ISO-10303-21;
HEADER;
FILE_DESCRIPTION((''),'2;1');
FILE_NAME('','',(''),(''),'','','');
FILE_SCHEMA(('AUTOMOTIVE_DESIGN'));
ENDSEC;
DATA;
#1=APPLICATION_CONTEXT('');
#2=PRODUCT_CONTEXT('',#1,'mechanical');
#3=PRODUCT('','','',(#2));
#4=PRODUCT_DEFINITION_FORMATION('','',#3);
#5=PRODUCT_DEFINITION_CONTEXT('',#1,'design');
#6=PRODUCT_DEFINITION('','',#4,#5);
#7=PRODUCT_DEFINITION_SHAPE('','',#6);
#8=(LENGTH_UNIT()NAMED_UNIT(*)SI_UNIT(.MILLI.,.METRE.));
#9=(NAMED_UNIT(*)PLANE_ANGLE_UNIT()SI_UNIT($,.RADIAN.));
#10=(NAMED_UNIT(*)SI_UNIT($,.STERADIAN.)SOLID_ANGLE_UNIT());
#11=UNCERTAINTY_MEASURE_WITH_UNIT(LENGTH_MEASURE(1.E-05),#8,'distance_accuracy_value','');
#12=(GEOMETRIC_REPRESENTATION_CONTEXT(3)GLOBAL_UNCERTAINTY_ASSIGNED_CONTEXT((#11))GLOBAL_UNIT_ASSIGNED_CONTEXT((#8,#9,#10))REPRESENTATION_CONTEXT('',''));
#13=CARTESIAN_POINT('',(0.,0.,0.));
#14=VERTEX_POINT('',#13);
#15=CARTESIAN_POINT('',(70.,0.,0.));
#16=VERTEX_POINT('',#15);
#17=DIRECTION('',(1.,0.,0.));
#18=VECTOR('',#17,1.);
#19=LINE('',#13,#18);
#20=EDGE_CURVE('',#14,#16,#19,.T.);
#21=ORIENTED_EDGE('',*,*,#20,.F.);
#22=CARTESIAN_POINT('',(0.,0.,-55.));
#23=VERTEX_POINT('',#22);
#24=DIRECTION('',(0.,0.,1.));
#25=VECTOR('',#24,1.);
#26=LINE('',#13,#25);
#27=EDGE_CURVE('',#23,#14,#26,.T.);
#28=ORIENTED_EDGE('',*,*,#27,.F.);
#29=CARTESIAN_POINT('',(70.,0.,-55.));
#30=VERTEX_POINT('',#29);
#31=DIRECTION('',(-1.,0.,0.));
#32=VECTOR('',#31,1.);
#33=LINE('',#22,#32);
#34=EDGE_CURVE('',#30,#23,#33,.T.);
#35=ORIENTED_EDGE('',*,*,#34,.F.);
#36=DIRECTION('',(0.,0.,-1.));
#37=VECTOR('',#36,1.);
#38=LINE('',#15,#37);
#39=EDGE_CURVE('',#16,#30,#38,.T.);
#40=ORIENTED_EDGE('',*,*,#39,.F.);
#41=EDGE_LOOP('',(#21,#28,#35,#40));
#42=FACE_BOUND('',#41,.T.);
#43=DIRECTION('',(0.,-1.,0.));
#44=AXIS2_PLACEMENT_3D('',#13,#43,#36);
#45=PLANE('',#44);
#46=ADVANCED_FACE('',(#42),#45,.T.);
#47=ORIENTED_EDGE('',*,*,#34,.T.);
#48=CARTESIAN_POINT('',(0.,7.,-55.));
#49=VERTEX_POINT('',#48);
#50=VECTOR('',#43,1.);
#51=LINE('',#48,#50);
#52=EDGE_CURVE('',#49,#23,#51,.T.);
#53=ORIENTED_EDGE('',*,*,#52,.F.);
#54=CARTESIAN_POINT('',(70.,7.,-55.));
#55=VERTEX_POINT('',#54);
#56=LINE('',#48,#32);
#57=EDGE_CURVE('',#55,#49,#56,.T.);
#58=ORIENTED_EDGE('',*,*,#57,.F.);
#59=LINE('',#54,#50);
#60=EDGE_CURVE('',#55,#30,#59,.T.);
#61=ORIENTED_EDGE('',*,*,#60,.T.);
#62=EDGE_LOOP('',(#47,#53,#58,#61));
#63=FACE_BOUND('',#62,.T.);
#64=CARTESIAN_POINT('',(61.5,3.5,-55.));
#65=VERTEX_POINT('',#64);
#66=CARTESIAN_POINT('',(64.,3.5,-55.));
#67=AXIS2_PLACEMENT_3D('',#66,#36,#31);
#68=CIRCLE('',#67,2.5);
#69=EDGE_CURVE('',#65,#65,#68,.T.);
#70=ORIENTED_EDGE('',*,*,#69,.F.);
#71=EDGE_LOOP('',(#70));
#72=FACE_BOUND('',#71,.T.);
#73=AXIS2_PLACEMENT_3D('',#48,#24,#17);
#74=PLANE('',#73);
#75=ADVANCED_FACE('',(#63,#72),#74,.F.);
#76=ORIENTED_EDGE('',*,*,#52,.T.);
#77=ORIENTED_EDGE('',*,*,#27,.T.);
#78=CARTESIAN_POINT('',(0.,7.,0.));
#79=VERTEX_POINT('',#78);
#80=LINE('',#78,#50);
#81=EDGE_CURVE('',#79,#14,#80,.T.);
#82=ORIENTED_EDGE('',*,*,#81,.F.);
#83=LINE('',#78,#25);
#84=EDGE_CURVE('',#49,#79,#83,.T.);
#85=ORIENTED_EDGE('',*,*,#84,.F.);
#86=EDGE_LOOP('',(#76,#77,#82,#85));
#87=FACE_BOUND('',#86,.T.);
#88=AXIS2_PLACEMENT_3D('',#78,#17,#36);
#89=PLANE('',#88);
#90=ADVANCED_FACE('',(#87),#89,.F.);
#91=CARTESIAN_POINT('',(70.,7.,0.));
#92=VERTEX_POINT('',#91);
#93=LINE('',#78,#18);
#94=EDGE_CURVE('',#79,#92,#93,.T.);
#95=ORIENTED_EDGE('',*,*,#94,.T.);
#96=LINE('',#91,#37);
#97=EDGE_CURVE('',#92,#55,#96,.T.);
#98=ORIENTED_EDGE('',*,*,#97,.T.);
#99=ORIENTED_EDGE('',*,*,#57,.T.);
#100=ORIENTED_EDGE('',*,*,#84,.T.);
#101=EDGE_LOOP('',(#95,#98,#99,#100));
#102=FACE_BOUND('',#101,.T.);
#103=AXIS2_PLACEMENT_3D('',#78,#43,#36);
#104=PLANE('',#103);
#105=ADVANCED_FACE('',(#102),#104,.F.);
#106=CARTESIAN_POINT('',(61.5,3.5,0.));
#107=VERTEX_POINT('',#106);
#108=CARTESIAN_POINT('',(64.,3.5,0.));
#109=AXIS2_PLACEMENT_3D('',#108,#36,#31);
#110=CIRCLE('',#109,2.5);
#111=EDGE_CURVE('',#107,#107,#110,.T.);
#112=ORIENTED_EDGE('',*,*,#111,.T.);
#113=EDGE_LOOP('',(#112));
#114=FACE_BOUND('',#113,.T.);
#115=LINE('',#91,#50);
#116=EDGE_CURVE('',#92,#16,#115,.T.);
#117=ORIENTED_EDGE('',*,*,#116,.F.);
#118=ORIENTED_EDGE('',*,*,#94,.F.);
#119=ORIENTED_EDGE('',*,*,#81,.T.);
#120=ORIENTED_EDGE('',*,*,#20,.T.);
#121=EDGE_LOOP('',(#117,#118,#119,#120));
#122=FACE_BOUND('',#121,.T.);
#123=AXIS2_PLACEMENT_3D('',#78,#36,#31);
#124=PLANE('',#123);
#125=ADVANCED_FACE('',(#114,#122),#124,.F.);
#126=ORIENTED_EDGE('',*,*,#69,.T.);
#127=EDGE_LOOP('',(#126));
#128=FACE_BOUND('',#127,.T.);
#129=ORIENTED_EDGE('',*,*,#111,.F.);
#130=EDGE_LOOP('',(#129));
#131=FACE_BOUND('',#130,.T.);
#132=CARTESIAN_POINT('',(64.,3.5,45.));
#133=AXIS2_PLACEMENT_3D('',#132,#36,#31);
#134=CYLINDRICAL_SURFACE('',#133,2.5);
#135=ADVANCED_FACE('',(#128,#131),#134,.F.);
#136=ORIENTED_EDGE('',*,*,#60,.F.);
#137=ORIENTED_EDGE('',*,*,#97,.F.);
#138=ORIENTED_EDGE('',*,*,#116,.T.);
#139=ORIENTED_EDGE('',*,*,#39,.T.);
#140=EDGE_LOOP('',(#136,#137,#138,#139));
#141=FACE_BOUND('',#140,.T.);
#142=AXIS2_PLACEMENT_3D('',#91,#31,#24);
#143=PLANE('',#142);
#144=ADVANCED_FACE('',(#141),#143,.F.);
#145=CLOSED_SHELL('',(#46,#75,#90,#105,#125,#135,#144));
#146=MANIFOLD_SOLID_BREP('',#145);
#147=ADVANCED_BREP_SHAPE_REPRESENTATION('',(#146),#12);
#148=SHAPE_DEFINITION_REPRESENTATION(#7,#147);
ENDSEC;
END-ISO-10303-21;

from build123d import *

# Parameters (mm, degrees)
SKETCH1_W           = 70
SKETCH1_H           = 55
BOSS_EXTRUDE1_DEPTH = 7
CUT_EXTRUDE1_DEPTH  = 100


with BuildPart() as part:
    # Sketch1 → Boss-Extrude1 (new body)
    with BuildSketch(Plane(origin=(0, 0, 0), x_dir=(1, 0, 0), z_dir=(0, 1, 0))):
        with Locations((35, 27.5)):
            Rectangle(SKETCH1_W, SKETCH1_H)
    extrude(amount=BOSS_EXTRUDE1_DEPTH)

    # Sketch2 → Cut-Extrude1 (cut)
    with BuildSketch(Plane(origin=(0, 0, -55), x_dir=(-1, 0, 0), z_dir=(0, 0, -1))):
        with BuildLine():
            ThreePointArc((-61.5, 3.5), (-62.232233047, 5.267766953), (-64, 6))
            Line((-64, 6), (-64, 1))
            ThreePointArc((-64, 1), (-62.232233047, 1.732233047), (-61.5, 3.5))
        make_face()
        with BuildLine():
            Line((-64, 1), (-64, 6))
            ThreePointArc((-64, 6), (-66.5, 3.5), (-64, 1))
        make_face()
    extrude(amount=-CUT_EXTRUDE1_DEPTH, mode=Mode.SUBTRACT)


solid = part.part
